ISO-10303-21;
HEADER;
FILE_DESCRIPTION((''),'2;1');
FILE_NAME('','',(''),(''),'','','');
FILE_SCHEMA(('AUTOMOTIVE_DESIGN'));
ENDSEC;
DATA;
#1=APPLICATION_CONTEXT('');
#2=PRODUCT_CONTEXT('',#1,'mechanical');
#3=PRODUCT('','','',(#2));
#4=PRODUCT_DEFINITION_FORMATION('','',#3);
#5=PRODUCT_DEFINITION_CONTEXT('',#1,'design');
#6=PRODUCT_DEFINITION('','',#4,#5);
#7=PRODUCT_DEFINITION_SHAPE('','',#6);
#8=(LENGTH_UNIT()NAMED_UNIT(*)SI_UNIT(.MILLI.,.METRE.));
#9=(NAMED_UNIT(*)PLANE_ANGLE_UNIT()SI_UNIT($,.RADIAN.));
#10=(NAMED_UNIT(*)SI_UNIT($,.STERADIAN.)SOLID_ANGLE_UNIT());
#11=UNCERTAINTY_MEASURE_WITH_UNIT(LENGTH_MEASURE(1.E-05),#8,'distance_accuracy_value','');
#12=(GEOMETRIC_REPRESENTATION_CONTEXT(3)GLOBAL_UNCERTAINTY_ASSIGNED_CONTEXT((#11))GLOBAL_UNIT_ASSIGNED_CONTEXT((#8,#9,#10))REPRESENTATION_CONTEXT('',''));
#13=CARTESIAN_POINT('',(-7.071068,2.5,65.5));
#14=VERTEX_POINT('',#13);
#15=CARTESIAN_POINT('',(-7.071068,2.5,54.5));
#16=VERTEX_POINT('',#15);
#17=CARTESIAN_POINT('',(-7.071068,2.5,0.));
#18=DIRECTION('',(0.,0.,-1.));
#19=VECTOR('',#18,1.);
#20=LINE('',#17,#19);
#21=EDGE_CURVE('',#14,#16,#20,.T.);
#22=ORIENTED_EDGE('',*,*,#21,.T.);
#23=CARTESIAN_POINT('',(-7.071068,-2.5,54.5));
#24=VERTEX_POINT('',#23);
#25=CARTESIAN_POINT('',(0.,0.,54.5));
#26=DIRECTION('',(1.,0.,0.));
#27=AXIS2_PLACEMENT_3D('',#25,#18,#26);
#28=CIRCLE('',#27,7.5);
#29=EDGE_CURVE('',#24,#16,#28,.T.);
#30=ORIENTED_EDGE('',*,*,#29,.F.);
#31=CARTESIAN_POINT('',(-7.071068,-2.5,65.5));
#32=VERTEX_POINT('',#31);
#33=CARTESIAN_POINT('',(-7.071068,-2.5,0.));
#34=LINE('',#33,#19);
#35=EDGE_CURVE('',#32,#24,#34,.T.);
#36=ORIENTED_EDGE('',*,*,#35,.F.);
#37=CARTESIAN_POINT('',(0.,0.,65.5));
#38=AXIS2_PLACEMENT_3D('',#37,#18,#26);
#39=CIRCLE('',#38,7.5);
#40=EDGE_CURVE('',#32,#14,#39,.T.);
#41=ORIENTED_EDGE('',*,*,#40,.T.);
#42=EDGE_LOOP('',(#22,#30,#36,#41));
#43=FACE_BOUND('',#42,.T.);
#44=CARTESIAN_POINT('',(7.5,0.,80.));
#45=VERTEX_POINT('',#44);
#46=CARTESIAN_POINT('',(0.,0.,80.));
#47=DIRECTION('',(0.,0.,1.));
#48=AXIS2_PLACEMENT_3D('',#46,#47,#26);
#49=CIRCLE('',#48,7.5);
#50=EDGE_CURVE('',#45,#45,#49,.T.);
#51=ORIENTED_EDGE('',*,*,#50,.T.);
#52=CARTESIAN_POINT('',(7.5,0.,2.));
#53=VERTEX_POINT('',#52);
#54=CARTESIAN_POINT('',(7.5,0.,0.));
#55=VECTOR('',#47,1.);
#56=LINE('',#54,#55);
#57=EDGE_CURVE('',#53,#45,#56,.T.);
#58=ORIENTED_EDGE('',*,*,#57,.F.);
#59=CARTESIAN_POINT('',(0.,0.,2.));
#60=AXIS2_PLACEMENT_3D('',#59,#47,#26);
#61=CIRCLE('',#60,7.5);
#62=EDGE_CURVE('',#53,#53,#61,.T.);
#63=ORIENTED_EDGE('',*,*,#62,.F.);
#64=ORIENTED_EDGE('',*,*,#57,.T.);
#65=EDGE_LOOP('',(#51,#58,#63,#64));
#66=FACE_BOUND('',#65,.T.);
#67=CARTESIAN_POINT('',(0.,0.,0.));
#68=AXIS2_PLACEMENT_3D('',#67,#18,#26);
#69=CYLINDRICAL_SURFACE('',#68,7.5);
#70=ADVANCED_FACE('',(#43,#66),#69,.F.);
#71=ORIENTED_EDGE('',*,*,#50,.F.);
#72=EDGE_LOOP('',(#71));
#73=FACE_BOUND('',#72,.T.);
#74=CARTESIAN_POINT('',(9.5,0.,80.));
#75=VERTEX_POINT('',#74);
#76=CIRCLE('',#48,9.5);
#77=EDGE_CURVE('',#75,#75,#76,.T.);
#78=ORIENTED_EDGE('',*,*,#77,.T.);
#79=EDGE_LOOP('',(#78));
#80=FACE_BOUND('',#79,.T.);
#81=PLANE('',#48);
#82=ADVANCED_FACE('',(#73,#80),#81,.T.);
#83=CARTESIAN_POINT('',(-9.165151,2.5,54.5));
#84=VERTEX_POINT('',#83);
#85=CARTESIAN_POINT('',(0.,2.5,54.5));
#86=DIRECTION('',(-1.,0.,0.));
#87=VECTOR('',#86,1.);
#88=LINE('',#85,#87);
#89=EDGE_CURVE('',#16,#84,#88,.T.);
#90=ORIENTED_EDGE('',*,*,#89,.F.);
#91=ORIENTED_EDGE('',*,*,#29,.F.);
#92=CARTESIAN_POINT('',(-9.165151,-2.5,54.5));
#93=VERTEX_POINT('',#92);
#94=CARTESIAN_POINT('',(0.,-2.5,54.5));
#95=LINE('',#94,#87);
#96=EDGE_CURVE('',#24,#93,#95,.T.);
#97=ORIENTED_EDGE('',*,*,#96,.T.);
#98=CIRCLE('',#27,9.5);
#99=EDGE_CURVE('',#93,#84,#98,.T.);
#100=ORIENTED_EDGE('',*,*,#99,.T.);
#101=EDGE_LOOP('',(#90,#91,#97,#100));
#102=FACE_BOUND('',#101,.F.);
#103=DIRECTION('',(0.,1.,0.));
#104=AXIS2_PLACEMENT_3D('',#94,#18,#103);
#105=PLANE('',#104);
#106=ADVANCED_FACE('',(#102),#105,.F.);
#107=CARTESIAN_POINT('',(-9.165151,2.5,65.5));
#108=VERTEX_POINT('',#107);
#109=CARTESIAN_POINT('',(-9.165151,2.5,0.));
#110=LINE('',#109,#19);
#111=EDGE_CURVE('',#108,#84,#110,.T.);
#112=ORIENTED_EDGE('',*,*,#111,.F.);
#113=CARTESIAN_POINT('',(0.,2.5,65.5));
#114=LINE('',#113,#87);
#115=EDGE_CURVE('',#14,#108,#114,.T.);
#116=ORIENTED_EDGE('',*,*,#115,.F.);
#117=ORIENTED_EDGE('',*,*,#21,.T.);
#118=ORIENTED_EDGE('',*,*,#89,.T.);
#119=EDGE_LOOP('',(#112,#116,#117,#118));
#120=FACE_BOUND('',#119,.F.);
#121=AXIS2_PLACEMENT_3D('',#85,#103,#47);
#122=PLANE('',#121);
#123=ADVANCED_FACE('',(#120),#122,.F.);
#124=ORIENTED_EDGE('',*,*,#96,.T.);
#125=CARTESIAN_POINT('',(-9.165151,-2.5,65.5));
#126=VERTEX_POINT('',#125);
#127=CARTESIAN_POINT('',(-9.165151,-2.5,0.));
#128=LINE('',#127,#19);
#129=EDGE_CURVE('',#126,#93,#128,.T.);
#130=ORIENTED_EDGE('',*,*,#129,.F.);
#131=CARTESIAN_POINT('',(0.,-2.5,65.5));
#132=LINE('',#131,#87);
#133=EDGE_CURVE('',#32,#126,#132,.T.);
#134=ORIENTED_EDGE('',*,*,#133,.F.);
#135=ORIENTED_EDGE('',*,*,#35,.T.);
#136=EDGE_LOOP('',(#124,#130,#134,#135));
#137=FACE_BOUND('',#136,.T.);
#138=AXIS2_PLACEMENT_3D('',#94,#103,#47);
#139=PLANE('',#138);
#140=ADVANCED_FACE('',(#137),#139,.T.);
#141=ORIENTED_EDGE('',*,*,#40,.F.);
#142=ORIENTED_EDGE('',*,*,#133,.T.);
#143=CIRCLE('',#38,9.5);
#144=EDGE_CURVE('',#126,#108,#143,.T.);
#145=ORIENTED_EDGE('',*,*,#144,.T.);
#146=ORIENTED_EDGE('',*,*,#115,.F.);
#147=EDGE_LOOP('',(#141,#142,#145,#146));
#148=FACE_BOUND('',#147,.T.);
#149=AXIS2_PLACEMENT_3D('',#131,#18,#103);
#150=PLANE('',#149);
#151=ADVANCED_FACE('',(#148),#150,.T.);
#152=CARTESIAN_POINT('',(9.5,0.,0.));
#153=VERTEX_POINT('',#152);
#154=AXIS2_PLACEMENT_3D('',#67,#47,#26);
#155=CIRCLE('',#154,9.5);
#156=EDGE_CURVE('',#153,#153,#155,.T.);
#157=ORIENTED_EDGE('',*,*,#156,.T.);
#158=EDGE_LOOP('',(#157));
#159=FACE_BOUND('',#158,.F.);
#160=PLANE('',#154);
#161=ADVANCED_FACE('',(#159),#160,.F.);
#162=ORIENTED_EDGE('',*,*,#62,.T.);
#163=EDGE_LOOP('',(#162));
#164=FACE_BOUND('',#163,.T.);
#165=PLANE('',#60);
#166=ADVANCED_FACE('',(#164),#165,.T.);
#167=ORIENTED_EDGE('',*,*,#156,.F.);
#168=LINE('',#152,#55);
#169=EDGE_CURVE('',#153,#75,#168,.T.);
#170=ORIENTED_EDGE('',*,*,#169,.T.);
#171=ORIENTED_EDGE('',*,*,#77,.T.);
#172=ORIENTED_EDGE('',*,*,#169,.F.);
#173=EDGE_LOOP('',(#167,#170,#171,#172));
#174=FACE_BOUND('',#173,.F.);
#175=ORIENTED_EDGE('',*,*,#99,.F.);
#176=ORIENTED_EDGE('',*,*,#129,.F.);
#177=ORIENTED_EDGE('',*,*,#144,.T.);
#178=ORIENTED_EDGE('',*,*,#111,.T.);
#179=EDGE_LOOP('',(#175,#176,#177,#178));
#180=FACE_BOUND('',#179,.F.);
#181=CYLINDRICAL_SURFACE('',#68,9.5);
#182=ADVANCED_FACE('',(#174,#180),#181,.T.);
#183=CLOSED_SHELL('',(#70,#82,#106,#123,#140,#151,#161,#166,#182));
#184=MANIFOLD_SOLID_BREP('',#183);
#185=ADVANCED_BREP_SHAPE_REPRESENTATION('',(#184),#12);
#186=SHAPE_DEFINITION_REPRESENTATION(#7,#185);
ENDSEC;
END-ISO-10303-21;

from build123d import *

# Parameters (mm, degrees)
F0_R     = 9.5
F0_R_2   = 7.5
F1_DEPTH = 80
F2_W     = 5
F2_H     = 11
F3_DEPTH = 25
F4_DEPTH = 2


with BuildPart() as f1:
    # F0 (on Top) → F1 (new body)
    with BuildSketch(Plane.XY):
        Circle(F0_R)
        Circle(F0_R_2, mode=Mode.SUBTRACT)
    extrude(amount=F1_DEPTH)

    # F2 (on Right) → F3 (cut)
    with BuildSketch(Plane.YZ):
        with Locations((0, 60)):
            Rectangle(F2_W, F2_H)
    extrude(amount=-F3_DEPTH, mode=Mode.SUBTRACT)

    # F0 (on Top) → F4 (join)
    with BuildSketch(Plane.XY):
        Circle(F0_R_2)
    extrude(amount=F4_DEPTH)


solid = f1.part
